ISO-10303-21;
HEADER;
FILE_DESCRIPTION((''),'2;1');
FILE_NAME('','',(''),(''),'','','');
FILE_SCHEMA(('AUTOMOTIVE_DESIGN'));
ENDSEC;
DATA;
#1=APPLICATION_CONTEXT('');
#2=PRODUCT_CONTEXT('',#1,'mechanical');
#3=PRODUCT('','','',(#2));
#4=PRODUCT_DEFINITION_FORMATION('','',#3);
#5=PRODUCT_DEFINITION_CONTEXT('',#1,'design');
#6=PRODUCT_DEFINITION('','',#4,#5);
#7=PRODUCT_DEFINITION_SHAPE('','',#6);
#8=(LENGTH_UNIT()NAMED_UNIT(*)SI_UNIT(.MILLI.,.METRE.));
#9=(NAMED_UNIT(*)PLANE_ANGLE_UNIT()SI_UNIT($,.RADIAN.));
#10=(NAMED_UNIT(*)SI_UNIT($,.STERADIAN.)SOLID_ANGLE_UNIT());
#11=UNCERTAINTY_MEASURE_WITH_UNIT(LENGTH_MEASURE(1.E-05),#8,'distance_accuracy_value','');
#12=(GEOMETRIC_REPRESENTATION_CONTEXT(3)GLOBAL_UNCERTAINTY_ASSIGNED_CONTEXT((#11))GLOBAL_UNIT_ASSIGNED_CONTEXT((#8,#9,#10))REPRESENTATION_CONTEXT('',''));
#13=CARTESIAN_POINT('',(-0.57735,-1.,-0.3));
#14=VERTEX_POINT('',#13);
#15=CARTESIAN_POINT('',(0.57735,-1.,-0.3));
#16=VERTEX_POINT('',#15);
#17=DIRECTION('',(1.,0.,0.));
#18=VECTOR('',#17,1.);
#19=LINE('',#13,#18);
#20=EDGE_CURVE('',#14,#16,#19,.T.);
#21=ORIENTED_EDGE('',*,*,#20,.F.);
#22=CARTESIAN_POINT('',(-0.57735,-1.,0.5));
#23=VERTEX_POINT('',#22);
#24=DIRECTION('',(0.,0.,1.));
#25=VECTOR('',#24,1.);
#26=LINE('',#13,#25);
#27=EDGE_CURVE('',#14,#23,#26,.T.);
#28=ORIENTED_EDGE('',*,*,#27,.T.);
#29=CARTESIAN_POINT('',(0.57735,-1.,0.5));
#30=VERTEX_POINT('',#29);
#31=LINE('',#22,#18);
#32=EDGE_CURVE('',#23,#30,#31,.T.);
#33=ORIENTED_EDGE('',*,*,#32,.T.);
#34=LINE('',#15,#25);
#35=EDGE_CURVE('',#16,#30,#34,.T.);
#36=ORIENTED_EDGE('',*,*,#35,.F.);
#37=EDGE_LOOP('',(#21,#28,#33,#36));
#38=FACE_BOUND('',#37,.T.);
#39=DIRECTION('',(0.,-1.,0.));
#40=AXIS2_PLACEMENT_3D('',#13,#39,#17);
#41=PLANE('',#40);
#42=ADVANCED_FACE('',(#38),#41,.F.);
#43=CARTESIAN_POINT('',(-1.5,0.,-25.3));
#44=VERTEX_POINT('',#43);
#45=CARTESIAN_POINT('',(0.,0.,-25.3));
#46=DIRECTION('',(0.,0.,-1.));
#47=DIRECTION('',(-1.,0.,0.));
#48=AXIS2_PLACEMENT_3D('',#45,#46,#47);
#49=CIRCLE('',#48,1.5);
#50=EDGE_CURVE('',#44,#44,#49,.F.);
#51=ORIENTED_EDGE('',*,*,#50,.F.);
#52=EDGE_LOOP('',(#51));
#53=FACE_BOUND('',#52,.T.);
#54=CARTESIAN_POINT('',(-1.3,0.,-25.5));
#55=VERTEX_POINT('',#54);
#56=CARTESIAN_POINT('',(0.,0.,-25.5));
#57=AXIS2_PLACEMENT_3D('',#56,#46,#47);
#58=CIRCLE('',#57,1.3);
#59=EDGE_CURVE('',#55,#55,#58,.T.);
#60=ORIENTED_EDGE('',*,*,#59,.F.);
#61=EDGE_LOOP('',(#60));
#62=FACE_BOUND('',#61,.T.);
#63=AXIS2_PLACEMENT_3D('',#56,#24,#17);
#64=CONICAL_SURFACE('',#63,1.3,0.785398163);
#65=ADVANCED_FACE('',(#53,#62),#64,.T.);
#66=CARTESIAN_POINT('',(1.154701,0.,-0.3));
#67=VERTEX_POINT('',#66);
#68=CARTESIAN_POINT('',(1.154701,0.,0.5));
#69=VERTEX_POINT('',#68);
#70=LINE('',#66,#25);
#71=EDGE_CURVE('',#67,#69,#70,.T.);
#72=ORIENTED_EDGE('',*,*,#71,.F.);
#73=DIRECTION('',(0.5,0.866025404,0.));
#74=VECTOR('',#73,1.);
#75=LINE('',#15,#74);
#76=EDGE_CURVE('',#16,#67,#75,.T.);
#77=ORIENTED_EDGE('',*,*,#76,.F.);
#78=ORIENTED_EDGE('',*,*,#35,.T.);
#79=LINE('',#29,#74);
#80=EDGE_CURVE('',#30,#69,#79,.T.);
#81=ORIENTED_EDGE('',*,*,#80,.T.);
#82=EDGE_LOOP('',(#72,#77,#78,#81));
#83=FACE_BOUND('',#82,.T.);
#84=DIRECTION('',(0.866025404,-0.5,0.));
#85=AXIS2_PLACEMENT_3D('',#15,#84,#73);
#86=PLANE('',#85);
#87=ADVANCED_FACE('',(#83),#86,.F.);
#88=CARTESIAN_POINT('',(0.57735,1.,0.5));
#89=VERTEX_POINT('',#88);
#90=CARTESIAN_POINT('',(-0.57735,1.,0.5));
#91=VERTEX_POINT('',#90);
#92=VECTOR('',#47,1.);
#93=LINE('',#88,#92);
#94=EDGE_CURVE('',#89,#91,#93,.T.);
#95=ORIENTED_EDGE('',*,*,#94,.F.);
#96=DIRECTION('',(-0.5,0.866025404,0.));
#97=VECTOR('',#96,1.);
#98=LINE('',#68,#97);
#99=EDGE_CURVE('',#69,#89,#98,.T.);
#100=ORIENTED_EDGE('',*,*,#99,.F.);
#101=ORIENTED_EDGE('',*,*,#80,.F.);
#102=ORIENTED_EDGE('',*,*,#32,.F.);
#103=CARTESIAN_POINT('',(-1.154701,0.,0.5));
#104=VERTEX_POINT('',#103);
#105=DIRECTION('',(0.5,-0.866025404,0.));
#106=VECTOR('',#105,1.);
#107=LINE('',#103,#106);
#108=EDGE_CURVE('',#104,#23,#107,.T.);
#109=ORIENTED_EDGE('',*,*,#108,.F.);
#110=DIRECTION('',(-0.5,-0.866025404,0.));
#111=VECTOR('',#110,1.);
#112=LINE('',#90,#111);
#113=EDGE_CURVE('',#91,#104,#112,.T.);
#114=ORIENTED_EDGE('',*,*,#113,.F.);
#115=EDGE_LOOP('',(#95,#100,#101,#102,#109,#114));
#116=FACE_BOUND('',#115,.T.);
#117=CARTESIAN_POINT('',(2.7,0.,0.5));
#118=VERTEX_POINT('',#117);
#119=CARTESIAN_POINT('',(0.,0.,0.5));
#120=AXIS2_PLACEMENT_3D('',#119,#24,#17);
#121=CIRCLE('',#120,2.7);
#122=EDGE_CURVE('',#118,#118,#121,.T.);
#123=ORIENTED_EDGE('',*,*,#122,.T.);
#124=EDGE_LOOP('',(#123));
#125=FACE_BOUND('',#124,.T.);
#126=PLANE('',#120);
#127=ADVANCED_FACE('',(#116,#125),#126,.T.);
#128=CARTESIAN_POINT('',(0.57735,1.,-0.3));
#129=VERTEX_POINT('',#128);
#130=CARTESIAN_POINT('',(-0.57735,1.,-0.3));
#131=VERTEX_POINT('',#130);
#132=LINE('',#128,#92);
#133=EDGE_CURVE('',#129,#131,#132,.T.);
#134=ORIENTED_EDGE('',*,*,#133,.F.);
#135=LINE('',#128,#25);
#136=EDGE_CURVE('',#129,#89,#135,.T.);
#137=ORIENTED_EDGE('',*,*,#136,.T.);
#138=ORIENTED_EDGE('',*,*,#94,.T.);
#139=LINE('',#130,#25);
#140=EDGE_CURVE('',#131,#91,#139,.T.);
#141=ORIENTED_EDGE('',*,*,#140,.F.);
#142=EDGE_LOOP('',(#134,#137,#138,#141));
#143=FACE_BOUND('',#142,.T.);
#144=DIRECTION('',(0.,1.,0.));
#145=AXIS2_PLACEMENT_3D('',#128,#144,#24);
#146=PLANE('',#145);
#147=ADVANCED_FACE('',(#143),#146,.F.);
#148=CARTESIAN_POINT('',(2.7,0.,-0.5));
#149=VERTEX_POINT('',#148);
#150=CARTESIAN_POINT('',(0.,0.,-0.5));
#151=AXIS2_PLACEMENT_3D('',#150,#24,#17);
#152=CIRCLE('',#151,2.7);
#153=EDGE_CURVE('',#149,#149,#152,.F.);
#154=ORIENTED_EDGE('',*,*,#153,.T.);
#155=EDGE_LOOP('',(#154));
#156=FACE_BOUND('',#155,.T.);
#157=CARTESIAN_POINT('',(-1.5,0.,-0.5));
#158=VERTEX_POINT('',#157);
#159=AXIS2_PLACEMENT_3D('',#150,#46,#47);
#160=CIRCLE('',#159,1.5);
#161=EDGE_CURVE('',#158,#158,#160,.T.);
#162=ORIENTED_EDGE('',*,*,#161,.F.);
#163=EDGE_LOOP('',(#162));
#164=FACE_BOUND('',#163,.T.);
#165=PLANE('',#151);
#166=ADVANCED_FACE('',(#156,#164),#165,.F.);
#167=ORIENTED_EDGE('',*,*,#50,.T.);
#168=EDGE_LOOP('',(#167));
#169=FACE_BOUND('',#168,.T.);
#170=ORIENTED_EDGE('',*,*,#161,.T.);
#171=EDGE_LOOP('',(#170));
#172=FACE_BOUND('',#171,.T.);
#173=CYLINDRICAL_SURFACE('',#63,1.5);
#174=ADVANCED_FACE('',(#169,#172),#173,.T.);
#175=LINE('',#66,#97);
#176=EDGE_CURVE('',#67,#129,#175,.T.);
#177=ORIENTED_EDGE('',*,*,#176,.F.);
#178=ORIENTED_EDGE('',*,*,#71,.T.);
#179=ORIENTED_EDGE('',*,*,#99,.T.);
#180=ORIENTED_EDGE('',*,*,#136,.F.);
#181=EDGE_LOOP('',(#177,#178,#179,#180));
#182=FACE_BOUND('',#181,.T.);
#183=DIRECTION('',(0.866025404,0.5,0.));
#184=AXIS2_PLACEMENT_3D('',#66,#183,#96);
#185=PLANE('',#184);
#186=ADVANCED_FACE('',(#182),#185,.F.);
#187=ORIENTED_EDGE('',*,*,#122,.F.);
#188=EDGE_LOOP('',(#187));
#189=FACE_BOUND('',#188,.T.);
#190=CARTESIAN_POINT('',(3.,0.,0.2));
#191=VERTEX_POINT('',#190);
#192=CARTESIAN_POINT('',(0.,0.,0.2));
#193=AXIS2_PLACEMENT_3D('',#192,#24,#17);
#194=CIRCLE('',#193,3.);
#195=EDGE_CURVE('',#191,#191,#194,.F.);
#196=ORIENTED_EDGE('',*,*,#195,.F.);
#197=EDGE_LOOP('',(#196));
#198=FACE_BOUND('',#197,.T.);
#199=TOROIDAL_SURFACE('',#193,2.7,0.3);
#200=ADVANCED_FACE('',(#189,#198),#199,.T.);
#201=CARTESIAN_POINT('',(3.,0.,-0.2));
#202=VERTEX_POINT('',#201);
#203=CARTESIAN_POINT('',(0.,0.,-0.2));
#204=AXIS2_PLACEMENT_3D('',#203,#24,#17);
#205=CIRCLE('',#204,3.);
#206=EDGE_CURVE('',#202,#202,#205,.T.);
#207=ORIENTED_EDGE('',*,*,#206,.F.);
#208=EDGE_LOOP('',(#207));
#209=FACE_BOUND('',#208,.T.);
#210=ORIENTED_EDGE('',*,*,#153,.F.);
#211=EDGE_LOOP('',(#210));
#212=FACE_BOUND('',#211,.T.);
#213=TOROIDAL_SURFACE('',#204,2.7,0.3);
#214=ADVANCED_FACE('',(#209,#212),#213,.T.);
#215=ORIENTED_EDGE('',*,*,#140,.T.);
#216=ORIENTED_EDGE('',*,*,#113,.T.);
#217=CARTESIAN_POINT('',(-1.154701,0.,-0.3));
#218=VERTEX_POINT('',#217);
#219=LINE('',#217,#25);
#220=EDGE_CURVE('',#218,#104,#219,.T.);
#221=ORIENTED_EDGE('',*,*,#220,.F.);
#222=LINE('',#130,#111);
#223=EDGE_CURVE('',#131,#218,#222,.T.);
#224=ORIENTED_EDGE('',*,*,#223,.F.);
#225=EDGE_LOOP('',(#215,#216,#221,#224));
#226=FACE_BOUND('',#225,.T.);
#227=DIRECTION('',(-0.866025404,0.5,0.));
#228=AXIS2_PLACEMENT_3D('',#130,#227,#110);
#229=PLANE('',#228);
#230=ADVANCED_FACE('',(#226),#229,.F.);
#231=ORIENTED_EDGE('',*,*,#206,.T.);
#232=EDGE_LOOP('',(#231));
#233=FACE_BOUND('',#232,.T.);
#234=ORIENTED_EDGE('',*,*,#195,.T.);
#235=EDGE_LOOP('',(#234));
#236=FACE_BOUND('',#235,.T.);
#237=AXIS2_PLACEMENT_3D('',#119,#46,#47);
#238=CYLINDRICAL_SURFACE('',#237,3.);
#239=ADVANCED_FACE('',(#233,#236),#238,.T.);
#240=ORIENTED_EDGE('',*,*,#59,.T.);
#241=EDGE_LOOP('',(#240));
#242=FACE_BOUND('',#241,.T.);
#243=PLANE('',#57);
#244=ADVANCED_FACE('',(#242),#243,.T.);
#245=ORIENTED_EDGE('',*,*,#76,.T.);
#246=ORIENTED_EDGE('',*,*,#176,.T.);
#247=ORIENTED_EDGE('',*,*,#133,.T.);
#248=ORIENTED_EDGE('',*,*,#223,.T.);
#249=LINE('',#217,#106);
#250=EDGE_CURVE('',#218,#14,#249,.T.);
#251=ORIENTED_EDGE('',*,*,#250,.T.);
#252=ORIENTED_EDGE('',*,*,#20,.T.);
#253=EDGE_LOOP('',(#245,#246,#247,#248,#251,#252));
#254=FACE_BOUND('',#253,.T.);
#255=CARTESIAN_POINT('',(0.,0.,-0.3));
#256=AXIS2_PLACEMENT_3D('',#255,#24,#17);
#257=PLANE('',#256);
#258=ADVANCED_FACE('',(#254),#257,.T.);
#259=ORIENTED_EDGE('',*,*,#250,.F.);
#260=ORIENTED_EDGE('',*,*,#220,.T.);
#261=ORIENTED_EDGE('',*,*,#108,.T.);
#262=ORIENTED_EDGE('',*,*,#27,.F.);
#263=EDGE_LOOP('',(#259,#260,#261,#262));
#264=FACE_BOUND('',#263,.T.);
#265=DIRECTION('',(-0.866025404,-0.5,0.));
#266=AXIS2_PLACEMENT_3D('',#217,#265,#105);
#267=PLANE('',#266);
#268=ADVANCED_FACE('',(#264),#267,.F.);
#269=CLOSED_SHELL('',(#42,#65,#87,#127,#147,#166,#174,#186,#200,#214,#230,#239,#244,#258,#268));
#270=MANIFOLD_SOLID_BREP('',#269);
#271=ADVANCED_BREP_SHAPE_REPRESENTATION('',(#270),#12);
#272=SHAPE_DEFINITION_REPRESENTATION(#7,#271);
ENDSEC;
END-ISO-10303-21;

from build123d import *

# Parameters (mm, degrees)
SKETCH_1_R          = 3
EXTRUDE_1_DEPTH     = 0.5
SKETCH_2_R          = 1.5
EXTRUDE_2_DEPTH     = 25
CHAMFER_1_SIZE      = 0.2
CUT_EXTRUDE_1_DEPTH = 0.8
FILLET_2_R          = 0.3


with BuildPart() as part:
    # 草图1 → 凸台-拉伸1 (new body, symmetric)
    with BuildSketch(Plane.XY):
        Circle(SKETCH_1_R)
    extrude(amount=EXTRUDE_1_DEPTH, both=True)

    # 草图2 → 凸台-拉伸2 (add)
    with BuildSketch(Plane(origin=(0, 0, -0.5), x_dir=(-1, 0, 0), z_dir=(0, 0, -1))):
        Circle(SKETCH_2_R)
    extrude(amount=EXTRUDE_2_DEPTH)

    # 倒角1
    chamfer_1_edges = [part.edges().sort_by_distance(p)[0] for p in [
        (1.5, 0, -25.5),
    ]]
    chamfer(chamfer_1_edges, length=CHAMFER_1_SIZE)

    # 草图3 → 切除-拉伸1 (cut)
    with BuildSketch(Plane.XY.offset(0.5)):
        Polygon((1.154700538, 0), (0.577350269, 1), (-0.577350269, 1), (-1.154700538, 0), (-0.577350269, -1), (0.577350269, -1), align=None)
    extrude(amount=-CUT_EXTRUDE_1_DEPTH, mode=Mode.SUBTRACT)

    # 圆角2
    fillet_2_edges = [part.edges().sort_by_distance(p)[0] for p in [
        (-3, 0, -0.5),
        (-3, 0, 0.5),
    ]]
    fillet(fillet_2_edges, radius=FILLET_2_R)


solid = part.part
